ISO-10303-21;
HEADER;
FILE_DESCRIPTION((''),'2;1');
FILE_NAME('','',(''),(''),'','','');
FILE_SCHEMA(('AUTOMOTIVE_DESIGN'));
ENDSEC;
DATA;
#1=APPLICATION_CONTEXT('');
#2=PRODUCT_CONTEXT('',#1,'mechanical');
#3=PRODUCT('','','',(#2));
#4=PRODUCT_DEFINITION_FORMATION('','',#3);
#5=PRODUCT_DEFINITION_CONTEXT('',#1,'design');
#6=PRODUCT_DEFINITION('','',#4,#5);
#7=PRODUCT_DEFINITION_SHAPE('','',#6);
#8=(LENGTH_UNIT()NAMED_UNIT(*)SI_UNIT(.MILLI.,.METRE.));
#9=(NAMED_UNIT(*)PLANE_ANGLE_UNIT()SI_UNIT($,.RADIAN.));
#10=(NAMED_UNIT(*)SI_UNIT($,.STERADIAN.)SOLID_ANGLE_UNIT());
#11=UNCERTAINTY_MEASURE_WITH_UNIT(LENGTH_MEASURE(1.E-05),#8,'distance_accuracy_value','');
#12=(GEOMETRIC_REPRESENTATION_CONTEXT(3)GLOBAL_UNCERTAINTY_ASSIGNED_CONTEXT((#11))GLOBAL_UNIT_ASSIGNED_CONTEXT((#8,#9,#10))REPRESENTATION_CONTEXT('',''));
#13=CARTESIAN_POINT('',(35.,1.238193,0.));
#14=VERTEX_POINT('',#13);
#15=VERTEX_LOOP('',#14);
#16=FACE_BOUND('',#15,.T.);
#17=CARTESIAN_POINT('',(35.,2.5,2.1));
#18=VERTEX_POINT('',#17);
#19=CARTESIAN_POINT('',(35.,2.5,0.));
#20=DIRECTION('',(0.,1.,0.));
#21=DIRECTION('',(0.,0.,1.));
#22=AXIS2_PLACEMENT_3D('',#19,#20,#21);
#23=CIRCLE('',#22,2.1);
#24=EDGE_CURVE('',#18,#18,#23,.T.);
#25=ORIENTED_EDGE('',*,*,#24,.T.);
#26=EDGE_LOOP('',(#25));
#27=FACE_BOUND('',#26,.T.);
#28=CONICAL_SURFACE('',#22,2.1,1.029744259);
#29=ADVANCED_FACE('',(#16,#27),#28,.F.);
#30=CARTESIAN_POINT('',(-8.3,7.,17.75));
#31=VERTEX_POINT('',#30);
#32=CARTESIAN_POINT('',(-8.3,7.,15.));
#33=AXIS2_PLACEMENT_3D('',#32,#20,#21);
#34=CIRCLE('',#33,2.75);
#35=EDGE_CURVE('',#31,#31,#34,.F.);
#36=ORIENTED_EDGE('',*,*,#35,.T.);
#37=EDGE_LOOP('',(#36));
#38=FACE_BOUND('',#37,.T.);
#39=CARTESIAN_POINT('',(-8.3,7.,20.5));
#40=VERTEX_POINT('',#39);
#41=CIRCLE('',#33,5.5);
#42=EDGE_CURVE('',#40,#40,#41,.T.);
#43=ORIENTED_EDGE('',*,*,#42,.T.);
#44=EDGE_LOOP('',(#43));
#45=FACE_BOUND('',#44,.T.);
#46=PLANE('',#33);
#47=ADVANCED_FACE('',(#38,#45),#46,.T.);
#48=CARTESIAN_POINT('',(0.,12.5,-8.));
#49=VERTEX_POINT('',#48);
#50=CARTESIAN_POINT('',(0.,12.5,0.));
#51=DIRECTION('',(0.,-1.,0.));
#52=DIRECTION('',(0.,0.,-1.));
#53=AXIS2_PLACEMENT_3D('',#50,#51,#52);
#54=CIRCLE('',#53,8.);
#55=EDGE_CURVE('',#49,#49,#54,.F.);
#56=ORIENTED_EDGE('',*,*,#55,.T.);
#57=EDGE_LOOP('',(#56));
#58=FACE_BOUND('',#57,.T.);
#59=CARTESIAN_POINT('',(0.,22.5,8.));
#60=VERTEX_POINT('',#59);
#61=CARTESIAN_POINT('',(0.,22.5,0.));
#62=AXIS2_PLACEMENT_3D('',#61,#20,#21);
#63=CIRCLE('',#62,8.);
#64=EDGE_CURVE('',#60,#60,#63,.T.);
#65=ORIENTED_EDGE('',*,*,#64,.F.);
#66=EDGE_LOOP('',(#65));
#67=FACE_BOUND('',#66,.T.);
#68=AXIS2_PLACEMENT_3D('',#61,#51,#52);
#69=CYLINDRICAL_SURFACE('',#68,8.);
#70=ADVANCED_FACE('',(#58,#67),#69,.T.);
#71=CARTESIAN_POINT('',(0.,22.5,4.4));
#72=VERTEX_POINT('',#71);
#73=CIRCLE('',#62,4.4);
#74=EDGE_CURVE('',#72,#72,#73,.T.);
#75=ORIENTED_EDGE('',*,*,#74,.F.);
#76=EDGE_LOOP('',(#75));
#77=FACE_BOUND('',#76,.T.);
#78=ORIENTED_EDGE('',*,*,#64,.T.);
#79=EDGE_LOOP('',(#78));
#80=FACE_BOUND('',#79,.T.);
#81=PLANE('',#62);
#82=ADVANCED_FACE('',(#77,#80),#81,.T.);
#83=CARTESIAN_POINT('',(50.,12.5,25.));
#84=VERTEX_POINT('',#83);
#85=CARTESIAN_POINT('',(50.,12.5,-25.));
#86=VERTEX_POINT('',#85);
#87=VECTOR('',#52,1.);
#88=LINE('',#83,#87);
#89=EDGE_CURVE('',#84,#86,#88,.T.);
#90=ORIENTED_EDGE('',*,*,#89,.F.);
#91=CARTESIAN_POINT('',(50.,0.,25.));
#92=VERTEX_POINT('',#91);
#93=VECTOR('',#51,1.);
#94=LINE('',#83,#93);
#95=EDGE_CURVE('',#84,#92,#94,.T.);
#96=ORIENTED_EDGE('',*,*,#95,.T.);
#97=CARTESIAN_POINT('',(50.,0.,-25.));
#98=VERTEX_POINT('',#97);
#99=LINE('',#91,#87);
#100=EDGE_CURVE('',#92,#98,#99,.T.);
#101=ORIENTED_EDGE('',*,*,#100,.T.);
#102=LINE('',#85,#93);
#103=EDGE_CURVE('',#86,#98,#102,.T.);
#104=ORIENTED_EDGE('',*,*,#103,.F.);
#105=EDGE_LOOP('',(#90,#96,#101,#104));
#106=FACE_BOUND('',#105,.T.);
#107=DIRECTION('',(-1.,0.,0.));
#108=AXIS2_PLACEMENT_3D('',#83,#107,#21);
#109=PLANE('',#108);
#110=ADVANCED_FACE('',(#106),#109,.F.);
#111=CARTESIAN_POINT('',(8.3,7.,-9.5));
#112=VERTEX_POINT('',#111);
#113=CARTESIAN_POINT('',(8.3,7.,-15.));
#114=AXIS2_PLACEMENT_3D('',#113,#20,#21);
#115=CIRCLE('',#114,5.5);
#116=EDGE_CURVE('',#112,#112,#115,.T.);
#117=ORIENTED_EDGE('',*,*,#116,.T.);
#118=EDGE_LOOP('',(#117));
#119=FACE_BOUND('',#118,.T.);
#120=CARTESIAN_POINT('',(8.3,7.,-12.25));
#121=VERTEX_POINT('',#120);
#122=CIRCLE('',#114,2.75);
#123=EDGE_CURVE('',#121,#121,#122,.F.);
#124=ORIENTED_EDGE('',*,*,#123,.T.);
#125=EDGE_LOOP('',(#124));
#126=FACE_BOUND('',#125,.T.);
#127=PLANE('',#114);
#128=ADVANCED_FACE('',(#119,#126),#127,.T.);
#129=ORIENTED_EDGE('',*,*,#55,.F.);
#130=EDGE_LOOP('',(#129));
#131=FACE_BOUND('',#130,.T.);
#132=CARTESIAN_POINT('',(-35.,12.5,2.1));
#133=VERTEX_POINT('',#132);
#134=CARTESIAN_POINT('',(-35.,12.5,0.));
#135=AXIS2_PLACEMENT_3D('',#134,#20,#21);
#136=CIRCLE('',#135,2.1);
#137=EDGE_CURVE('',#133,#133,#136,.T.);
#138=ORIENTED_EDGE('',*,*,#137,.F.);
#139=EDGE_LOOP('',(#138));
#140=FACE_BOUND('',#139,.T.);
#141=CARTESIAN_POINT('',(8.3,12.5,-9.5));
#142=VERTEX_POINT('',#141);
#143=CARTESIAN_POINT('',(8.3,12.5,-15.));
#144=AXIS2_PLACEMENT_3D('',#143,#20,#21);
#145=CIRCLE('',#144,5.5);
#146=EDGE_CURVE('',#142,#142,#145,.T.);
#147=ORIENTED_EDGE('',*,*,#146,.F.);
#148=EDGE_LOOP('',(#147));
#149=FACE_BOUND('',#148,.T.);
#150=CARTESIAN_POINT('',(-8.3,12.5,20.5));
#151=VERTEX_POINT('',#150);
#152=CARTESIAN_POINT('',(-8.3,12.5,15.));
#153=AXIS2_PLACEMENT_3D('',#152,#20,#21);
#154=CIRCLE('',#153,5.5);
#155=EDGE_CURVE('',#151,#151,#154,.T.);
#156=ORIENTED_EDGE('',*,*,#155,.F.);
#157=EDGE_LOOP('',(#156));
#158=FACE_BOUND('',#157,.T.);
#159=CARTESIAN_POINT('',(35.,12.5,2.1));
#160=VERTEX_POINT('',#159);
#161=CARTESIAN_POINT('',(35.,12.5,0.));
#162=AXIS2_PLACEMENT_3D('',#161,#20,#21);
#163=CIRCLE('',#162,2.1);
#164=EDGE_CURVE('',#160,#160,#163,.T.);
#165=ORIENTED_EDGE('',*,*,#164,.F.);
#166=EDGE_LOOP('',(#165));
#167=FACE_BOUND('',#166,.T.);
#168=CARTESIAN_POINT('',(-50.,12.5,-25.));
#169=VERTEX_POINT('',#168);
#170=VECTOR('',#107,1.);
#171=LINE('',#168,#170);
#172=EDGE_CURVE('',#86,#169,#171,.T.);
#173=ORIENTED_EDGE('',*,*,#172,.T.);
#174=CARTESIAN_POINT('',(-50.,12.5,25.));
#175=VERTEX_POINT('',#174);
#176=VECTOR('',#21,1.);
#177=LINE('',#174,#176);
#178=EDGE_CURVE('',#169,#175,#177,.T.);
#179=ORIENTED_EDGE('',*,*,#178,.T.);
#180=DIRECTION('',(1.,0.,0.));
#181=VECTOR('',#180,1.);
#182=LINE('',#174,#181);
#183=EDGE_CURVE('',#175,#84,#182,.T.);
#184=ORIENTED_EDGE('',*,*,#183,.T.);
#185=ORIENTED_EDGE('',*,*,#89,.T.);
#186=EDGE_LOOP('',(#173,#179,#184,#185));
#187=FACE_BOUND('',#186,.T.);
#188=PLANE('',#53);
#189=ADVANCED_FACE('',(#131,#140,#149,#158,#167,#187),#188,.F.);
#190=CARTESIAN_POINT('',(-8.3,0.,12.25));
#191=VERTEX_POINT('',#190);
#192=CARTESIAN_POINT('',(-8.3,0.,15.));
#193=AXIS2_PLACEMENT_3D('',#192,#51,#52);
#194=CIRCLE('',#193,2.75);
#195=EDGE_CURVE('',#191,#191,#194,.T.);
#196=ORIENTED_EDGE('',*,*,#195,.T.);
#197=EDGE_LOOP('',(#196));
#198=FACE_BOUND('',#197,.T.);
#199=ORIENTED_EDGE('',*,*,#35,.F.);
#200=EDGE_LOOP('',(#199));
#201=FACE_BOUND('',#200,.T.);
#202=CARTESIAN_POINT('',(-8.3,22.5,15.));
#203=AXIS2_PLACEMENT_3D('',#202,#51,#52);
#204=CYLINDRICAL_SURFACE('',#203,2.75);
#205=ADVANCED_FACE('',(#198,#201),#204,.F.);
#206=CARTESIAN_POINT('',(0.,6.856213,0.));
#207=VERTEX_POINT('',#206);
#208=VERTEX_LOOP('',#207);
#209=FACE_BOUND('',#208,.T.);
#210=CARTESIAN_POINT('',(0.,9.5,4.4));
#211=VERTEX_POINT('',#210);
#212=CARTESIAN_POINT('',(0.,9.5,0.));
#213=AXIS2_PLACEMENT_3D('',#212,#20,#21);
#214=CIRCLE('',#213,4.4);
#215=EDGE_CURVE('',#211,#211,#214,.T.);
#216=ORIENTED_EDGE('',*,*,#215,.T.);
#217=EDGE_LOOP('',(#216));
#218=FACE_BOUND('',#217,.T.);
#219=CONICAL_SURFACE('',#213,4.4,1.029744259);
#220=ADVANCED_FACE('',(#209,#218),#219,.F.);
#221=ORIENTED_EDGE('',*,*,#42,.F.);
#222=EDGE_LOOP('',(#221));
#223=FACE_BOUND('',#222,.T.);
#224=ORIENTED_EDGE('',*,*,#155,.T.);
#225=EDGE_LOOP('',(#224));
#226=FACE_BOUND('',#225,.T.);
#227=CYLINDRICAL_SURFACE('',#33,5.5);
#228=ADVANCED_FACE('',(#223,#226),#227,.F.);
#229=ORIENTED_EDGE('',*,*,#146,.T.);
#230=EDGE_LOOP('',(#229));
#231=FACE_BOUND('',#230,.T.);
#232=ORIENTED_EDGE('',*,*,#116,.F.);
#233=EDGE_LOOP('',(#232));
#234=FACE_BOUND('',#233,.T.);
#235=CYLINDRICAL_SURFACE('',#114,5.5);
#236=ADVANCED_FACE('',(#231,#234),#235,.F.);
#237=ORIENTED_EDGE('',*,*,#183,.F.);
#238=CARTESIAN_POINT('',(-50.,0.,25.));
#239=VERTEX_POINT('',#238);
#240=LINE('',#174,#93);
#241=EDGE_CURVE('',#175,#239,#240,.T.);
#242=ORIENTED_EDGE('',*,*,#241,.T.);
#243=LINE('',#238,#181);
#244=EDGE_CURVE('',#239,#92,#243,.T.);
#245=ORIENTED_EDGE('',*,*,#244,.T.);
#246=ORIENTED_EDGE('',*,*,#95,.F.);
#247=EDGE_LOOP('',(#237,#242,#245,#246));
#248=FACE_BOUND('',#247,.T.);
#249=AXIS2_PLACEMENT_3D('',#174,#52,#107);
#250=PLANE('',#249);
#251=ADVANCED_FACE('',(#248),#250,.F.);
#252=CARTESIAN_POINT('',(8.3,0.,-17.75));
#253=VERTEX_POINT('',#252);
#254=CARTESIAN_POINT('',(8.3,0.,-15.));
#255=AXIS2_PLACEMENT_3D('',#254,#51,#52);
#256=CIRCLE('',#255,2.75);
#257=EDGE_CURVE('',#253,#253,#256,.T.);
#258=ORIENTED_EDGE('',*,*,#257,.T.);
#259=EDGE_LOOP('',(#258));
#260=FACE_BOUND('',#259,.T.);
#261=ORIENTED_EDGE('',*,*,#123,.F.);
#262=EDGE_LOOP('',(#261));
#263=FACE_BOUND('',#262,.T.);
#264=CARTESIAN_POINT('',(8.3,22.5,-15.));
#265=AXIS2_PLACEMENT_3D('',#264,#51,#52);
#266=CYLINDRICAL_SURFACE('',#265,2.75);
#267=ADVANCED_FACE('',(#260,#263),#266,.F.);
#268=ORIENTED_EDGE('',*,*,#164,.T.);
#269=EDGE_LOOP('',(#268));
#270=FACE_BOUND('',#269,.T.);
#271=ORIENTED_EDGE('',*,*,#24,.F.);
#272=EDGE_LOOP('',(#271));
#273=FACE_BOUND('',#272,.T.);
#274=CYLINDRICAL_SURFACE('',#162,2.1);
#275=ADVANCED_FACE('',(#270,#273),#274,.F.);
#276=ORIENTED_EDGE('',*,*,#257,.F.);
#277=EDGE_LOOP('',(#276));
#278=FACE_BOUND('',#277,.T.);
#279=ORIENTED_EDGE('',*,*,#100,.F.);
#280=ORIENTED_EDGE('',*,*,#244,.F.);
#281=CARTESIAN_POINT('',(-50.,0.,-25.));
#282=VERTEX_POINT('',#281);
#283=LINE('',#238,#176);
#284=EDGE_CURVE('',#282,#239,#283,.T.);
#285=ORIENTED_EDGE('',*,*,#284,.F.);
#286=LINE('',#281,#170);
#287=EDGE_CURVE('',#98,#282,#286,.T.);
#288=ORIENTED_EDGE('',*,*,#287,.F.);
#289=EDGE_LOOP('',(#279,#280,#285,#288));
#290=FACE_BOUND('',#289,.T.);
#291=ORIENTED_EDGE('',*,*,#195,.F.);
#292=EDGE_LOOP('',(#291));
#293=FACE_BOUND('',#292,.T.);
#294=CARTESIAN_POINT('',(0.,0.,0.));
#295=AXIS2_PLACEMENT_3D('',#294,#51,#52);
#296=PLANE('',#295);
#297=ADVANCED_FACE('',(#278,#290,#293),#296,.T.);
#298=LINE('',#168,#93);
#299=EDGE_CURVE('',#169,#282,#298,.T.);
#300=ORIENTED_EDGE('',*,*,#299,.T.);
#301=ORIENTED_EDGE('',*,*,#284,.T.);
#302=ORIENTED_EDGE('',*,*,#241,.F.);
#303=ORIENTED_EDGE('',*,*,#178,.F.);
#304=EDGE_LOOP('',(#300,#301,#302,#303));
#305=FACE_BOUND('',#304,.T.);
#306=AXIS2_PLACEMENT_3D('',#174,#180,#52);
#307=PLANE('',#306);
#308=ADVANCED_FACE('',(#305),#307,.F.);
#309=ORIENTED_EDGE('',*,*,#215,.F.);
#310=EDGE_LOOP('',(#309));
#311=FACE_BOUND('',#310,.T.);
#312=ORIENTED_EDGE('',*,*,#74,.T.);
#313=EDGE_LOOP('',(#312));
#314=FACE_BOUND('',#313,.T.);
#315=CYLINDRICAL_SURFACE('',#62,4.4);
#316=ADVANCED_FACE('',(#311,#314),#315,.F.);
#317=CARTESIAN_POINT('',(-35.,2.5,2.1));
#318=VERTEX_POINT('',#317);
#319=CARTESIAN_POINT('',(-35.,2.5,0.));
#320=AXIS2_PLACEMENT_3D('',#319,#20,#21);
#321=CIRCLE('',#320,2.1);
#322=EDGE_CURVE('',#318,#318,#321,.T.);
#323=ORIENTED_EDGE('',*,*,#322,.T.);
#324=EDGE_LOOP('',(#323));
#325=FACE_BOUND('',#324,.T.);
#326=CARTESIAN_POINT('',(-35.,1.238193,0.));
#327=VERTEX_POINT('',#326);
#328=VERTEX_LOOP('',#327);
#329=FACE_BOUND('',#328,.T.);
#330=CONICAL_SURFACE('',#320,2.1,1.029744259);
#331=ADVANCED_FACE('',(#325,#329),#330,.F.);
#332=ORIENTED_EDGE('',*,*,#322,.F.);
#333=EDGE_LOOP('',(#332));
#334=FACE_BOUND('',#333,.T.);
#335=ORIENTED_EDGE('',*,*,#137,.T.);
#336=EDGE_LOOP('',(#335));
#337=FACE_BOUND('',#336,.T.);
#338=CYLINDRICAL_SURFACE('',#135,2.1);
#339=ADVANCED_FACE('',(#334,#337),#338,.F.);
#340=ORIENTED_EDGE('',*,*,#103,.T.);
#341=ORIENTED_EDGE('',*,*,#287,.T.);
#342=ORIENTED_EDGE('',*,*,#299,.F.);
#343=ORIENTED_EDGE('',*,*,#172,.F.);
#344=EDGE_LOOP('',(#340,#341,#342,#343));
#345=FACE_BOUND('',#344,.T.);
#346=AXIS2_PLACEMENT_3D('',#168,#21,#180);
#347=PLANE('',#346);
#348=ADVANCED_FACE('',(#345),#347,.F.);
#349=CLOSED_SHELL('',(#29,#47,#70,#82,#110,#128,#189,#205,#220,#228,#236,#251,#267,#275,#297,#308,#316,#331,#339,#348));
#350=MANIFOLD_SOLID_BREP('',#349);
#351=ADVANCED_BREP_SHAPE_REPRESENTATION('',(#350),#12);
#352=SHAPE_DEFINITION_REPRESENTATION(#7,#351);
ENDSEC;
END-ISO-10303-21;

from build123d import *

# Parameters (mm, degrees)
SKETCH1_W                   = 100
SKETCH1_H                   = 50
BOSS_EXTRUDE1_DEPTH         = 12.5
SKETCH2_R                   = 8
BOSS_EXTRUDE2_DEPTH         = 10
M10X1_25_TAPPED_HOLE1_D     = 8.8
M10X1_25_TAPPED_HOLE1_DEPTH = 13
M10X1_25_TAPPED_HOLE1_TIP   = 2.643786724
M5_TAPPED_HOLE1_D           = 4.2
M5_TAPPED_HOLE1_DEPTH       = 10
M5_TAPPED_HOLE1_TIP         = 1.2618073
SKETCH8_R                   = 2.75
CUT_EXTRUDE1_DEPTH          = 23.5
SKETCH10_R                  = 5.5
CUT_EXTRUDE2_DEPTH          = 5.5


with BuildPart() as part:
    # Sketch1 → Boss-Extrude1 (new body)
    with BuildSketch(Plane(origin=(0, 0, 0), x_dir=(1, 0, 0), z_dir=(0, 1, 0))):
        Rectangle(SKETCH1_W, SKETCH1_H)
    extrude(amount=BOSS_EXTRUDE1_DEPTH)

    # Sketch2 → Boss-Extrude2 (add)
    with BuildSketch(Plane(origin=(0, 12.5, 0), x_dir=(1, 0, 0), z_dir=(0, 1, 0))):
        Circle(SKETCH2_R)
    extrude(amount=BOSS_EXTRUDE2_DEPTH)

    # M10x1.25 Tapped Hole1
    with Locations(Plane(origin=(0, 22.5, 0), x_dir=(1, 0, 0), z_dir=(0, 1, 0))):
        with Locations((0, 0)):
            Hole(M10X1_25_TAPPED_HOLE1_D / 2, depth=M10X1_25_TAPPED_HOLE1_DEPTH)
            with Locations((0, 0, -(M10X1_25_TAPPED_HOLE1_DEPTH + M10X1_25_TAPPED_HOLE1_TIP / 2))):  # 118° drill point
                Cone(0, M10X1_25_TAPPED_HOLE1_D / 2, M10X1_25_TAPPED_HOLE1_TIP, mode=Mode.SUBTRACT)

    # M5 Tapped Hole1
    with Locations(Plane(origin=(0, 12.5, 0), x_dir=(1, 0, 0), z_dir=(0, 1, 0))):
        with Locations((-35, 0), (35, 0)):
            Hole(M5_TAPPED_HOLE1_D / 2, depth=M5_TAPPED_HOLE1_DEPTH)
            with Locations((0, 0, -(M5_TAPPED_HOLE1_DEPTH + M5_TAPPED_HOLE1_TIP / 2))):  # 118° drill point
                Cone(0, M5_TAPPED_HOLE1_D / 2, M5_TAPPED_HOLE1_TIP, mode=Mode.SUBTRACT)

    # Sketch8 → Cut-Extrude1 (cut, through all)
    with BuildSketch(Plane.XZ):
        with Locations((8.3, -15)):
            Circle(SKETCH8_R)
        with Locations((-8.3, 15)):
            Circle(SKETCH8_R)
    extrude(amount=-CUT_EXTRUDE1_DEPTH, mode=Mode.SUBTRACT)

    # Sketch10 → Cut-Extrude2 (cut)
    with BuildSketch(Plane(origin=(0, 12.5, 0), x_dir=(1, 0, 0), z_dir=(0, 1, 0))):
        with Locations((8.3, 15)):
            Circle(SKETCH10_R)
        with Locations((-8.3, -15)):
            Circle(SKETCH10_R)
    extrude(amount=-CUT_EXTRUDE2_DEPTH, mode=Mode.SUBTRACT)


solid = part.part
